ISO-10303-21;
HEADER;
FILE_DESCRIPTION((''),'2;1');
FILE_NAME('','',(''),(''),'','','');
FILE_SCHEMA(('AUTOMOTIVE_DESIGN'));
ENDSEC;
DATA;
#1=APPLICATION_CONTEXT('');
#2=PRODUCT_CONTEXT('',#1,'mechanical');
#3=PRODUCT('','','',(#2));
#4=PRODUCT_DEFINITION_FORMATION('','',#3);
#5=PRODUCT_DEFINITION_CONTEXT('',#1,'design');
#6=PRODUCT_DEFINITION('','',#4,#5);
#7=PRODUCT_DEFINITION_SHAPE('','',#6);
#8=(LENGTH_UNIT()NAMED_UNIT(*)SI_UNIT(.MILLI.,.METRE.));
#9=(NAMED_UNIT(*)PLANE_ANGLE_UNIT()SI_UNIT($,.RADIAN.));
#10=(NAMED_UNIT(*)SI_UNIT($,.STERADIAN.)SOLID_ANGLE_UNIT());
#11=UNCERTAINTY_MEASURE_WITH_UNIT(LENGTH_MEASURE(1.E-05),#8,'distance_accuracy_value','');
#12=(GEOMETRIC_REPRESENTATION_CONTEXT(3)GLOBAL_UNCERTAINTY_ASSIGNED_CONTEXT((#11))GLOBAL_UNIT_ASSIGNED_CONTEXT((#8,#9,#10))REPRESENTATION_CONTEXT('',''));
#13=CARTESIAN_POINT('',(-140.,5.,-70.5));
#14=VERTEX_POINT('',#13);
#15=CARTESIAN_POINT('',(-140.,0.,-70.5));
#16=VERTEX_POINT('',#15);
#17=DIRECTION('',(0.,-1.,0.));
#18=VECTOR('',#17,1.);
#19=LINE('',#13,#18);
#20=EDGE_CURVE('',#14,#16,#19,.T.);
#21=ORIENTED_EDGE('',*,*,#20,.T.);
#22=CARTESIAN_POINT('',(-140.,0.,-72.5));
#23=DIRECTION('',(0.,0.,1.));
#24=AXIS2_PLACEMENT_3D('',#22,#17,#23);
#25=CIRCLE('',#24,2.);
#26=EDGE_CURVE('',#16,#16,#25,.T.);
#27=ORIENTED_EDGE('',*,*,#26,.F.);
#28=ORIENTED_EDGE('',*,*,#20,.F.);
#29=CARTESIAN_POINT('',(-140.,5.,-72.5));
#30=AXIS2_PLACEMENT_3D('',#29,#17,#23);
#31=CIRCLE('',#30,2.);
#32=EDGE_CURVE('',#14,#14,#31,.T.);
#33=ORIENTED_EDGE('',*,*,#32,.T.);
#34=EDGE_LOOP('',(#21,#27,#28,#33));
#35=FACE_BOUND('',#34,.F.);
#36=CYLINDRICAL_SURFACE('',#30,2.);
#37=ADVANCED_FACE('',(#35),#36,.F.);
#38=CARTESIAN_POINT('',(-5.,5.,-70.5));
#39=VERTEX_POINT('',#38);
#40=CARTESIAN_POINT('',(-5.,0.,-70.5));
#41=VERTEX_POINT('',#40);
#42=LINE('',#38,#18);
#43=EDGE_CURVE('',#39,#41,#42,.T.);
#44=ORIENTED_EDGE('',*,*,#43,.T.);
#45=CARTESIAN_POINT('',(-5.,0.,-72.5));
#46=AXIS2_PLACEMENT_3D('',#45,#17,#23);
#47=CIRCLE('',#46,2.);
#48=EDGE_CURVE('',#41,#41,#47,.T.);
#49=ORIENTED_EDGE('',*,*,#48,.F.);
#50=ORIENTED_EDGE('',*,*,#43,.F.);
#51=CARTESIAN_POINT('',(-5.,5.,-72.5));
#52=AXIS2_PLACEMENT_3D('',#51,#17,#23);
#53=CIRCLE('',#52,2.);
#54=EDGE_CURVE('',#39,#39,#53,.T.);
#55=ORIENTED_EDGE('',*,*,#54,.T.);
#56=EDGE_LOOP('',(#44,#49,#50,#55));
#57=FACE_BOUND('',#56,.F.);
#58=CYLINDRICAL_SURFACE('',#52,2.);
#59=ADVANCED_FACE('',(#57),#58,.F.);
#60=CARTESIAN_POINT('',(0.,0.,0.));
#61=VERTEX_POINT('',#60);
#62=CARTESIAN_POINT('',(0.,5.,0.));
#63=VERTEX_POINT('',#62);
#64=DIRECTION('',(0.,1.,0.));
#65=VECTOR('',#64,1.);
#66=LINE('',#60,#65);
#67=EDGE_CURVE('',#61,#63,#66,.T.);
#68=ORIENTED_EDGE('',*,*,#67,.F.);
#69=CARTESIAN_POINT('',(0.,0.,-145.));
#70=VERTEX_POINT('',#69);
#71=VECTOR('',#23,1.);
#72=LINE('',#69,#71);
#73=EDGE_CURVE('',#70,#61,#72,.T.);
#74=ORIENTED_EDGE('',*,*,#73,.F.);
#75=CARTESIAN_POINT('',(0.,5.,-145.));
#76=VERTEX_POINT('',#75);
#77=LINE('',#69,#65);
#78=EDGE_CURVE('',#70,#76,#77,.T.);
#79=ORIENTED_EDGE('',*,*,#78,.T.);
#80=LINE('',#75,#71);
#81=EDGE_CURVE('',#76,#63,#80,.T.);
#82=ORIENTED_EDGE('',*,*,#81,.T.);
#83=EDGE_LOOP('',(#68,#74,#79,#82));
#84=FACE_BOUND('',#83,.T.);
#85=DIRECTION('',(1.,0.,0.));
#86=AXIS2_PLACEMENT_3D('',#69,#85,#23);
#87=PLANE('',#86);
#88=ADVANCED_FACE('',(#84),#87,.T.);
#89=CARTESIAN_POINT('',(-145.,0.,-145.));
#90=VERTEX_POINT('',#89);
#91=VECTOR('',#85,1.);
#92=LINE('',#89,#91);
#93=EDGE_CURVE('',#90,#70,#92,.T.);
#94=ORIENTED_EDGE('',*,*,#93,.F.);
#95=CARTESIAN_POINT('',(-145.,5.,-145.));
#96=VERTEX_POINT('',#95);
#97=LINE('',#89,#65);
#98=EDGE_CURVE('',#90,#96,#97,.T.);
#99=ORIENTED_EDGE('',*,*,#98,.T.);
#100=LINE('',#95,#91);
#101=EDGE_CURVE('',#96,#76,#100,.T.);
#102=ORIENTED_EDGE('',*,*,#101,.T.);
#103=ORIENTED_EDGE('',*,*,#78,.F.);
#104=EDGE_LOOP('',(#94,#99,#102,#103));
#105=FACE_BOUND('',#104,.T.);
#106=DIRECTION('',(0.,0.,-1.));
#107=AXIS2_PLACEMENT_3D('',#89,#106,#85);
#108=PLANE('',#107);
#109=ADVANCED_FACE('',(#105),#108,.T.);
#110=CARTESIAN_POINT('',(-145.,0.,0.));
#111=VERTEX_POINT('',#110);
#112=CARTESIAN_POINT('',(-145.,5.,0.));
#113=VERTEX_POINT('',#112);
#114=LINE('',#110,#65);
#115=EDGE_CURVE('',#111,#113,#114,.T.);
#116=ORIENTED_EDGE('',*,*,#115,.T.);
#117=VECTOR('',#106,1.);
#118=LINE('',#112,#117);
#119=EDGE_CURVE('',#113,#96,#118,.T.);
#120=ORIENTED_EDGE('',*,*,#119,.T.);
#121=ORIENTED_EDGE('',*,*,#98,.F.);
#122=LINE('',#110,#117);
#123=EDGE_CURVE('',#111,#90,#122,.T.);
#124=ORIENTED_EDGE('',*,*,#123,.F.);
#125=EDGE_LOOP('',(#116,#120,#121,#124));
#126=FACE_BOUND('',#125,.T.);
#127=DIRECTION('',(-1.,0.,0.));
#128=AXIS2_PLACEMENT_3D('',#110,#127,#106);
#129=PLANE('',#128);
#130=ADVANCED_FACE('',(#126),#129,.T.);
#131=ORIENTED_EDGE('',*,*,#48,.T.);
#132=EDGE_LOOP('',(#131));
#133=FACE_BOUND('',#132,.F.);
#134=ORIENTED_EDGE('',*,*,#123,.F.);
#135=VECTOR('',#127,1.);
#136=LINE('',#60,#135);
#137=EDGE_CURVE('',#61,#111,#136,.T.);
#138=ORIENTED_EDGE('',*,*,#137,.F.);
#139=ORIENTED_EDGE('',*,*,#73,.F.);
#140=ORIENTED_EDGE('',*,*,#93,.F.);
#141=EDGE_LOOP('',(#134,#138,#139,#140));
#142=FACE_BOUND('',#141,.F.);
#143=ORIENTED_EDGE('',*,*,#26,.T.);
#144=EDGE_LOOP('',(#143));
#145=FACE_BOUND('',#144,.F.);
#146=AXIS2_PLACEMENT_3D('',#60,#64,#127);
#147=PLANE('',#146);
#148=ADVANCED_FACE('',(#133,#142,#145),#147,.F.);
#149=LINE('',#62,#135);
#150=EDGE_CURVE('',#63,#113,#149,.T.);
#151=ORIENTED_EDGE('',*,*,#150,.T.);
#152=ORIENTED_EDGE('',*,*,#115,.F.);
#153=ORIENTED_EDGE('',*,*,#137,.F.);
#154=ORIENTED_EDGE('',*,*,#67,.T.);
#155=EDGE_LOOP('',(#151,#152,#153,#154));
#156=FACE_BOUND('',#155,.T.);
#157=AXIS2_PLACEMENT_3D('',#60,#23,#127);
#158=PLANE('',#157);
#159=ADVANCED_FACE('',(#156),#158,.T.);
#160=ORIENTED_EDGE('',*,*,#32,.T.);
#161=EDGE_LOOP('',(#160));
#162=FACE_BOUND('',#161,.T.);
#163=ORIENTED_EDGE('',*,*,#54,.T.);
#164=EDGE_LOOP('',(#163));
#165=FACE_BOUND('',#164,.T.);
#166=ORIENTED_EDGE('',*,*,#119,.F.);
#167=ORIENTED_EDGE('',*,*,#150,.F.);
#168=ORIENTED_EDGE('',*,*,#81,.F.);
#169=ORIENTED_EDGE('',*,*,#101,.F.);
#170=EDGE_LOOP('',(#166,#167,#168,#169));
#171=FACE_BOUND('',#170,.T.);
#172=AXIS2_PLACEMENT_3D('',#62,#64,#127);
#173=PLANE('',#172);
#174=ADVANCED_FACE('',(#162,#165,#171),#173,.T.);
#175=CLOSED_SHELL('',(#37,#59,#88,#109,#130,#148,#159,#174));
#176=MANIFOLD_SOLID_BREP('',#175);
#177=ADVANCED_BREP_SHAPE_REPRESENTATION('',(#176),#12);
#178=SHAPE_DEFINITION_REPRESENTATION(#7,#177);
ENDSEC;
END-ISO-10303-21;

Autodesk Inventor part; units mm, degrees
ref_plane "YZ Plane" through (0, 0, 0) normal (1, 0, 0) x (0, 1, 0)
ref_plane "XZ Plane" through (0, 0, 0) normal (0, 1, 0) x (-1, 0, 0)
ref_plane "XY Plane" through (0, 0, 0) normal (0, 0, 1) x (1, 0, 0)
sketch "Sketch1" plane through (0, 0, 0) normal (0, 1, 0) x (-1, 0, 0)
  line L0 (0, 0) -> (145, 0)
  line L1 (145, 0) -> (145, -145)
  line L2 (145, -145) -> (0, -145)
  line L3 (0, -145) -> (0, 0)
  dimension "d0" = 145
  dimension "d1" = 145
extrude "Extrusion1" add sketch "Sketch1" along normal blind 5
sketch "Sketch2" plane through (0, 5, 0) normal (0, 1, 0) x (1, 0, 0)
  line L0 (-145, 145) -> (-145, 0) projected
  line L1 (0, 145) -> (-145, 145) projected
  point P0 (0, 0)
  point P1 (-140, 72.5)
  dimension "d4" = 5
  dimension "d5" = 72.5
hole "Hole1" at (-140, 5, -72.5) direction (0, -1, 0) diameter 4 end through all
sketch "Sketch3" plane through (0, 5, 0) normal (0, 1, 0) x (1, 0, 0)
  line L0 (0, 0) -> (0, 145) projected
  line L1 (0, 145) -> (-145, 145) projected
  point P0 (-5, 72.5)
  dimension "d13" = 5
  dimension "d14" = 72.5
hole "Hole2" at (-5, 5, -72.5) direction (0, -1, 0) diameter 4 end through all
properties part number "pot_mover"
